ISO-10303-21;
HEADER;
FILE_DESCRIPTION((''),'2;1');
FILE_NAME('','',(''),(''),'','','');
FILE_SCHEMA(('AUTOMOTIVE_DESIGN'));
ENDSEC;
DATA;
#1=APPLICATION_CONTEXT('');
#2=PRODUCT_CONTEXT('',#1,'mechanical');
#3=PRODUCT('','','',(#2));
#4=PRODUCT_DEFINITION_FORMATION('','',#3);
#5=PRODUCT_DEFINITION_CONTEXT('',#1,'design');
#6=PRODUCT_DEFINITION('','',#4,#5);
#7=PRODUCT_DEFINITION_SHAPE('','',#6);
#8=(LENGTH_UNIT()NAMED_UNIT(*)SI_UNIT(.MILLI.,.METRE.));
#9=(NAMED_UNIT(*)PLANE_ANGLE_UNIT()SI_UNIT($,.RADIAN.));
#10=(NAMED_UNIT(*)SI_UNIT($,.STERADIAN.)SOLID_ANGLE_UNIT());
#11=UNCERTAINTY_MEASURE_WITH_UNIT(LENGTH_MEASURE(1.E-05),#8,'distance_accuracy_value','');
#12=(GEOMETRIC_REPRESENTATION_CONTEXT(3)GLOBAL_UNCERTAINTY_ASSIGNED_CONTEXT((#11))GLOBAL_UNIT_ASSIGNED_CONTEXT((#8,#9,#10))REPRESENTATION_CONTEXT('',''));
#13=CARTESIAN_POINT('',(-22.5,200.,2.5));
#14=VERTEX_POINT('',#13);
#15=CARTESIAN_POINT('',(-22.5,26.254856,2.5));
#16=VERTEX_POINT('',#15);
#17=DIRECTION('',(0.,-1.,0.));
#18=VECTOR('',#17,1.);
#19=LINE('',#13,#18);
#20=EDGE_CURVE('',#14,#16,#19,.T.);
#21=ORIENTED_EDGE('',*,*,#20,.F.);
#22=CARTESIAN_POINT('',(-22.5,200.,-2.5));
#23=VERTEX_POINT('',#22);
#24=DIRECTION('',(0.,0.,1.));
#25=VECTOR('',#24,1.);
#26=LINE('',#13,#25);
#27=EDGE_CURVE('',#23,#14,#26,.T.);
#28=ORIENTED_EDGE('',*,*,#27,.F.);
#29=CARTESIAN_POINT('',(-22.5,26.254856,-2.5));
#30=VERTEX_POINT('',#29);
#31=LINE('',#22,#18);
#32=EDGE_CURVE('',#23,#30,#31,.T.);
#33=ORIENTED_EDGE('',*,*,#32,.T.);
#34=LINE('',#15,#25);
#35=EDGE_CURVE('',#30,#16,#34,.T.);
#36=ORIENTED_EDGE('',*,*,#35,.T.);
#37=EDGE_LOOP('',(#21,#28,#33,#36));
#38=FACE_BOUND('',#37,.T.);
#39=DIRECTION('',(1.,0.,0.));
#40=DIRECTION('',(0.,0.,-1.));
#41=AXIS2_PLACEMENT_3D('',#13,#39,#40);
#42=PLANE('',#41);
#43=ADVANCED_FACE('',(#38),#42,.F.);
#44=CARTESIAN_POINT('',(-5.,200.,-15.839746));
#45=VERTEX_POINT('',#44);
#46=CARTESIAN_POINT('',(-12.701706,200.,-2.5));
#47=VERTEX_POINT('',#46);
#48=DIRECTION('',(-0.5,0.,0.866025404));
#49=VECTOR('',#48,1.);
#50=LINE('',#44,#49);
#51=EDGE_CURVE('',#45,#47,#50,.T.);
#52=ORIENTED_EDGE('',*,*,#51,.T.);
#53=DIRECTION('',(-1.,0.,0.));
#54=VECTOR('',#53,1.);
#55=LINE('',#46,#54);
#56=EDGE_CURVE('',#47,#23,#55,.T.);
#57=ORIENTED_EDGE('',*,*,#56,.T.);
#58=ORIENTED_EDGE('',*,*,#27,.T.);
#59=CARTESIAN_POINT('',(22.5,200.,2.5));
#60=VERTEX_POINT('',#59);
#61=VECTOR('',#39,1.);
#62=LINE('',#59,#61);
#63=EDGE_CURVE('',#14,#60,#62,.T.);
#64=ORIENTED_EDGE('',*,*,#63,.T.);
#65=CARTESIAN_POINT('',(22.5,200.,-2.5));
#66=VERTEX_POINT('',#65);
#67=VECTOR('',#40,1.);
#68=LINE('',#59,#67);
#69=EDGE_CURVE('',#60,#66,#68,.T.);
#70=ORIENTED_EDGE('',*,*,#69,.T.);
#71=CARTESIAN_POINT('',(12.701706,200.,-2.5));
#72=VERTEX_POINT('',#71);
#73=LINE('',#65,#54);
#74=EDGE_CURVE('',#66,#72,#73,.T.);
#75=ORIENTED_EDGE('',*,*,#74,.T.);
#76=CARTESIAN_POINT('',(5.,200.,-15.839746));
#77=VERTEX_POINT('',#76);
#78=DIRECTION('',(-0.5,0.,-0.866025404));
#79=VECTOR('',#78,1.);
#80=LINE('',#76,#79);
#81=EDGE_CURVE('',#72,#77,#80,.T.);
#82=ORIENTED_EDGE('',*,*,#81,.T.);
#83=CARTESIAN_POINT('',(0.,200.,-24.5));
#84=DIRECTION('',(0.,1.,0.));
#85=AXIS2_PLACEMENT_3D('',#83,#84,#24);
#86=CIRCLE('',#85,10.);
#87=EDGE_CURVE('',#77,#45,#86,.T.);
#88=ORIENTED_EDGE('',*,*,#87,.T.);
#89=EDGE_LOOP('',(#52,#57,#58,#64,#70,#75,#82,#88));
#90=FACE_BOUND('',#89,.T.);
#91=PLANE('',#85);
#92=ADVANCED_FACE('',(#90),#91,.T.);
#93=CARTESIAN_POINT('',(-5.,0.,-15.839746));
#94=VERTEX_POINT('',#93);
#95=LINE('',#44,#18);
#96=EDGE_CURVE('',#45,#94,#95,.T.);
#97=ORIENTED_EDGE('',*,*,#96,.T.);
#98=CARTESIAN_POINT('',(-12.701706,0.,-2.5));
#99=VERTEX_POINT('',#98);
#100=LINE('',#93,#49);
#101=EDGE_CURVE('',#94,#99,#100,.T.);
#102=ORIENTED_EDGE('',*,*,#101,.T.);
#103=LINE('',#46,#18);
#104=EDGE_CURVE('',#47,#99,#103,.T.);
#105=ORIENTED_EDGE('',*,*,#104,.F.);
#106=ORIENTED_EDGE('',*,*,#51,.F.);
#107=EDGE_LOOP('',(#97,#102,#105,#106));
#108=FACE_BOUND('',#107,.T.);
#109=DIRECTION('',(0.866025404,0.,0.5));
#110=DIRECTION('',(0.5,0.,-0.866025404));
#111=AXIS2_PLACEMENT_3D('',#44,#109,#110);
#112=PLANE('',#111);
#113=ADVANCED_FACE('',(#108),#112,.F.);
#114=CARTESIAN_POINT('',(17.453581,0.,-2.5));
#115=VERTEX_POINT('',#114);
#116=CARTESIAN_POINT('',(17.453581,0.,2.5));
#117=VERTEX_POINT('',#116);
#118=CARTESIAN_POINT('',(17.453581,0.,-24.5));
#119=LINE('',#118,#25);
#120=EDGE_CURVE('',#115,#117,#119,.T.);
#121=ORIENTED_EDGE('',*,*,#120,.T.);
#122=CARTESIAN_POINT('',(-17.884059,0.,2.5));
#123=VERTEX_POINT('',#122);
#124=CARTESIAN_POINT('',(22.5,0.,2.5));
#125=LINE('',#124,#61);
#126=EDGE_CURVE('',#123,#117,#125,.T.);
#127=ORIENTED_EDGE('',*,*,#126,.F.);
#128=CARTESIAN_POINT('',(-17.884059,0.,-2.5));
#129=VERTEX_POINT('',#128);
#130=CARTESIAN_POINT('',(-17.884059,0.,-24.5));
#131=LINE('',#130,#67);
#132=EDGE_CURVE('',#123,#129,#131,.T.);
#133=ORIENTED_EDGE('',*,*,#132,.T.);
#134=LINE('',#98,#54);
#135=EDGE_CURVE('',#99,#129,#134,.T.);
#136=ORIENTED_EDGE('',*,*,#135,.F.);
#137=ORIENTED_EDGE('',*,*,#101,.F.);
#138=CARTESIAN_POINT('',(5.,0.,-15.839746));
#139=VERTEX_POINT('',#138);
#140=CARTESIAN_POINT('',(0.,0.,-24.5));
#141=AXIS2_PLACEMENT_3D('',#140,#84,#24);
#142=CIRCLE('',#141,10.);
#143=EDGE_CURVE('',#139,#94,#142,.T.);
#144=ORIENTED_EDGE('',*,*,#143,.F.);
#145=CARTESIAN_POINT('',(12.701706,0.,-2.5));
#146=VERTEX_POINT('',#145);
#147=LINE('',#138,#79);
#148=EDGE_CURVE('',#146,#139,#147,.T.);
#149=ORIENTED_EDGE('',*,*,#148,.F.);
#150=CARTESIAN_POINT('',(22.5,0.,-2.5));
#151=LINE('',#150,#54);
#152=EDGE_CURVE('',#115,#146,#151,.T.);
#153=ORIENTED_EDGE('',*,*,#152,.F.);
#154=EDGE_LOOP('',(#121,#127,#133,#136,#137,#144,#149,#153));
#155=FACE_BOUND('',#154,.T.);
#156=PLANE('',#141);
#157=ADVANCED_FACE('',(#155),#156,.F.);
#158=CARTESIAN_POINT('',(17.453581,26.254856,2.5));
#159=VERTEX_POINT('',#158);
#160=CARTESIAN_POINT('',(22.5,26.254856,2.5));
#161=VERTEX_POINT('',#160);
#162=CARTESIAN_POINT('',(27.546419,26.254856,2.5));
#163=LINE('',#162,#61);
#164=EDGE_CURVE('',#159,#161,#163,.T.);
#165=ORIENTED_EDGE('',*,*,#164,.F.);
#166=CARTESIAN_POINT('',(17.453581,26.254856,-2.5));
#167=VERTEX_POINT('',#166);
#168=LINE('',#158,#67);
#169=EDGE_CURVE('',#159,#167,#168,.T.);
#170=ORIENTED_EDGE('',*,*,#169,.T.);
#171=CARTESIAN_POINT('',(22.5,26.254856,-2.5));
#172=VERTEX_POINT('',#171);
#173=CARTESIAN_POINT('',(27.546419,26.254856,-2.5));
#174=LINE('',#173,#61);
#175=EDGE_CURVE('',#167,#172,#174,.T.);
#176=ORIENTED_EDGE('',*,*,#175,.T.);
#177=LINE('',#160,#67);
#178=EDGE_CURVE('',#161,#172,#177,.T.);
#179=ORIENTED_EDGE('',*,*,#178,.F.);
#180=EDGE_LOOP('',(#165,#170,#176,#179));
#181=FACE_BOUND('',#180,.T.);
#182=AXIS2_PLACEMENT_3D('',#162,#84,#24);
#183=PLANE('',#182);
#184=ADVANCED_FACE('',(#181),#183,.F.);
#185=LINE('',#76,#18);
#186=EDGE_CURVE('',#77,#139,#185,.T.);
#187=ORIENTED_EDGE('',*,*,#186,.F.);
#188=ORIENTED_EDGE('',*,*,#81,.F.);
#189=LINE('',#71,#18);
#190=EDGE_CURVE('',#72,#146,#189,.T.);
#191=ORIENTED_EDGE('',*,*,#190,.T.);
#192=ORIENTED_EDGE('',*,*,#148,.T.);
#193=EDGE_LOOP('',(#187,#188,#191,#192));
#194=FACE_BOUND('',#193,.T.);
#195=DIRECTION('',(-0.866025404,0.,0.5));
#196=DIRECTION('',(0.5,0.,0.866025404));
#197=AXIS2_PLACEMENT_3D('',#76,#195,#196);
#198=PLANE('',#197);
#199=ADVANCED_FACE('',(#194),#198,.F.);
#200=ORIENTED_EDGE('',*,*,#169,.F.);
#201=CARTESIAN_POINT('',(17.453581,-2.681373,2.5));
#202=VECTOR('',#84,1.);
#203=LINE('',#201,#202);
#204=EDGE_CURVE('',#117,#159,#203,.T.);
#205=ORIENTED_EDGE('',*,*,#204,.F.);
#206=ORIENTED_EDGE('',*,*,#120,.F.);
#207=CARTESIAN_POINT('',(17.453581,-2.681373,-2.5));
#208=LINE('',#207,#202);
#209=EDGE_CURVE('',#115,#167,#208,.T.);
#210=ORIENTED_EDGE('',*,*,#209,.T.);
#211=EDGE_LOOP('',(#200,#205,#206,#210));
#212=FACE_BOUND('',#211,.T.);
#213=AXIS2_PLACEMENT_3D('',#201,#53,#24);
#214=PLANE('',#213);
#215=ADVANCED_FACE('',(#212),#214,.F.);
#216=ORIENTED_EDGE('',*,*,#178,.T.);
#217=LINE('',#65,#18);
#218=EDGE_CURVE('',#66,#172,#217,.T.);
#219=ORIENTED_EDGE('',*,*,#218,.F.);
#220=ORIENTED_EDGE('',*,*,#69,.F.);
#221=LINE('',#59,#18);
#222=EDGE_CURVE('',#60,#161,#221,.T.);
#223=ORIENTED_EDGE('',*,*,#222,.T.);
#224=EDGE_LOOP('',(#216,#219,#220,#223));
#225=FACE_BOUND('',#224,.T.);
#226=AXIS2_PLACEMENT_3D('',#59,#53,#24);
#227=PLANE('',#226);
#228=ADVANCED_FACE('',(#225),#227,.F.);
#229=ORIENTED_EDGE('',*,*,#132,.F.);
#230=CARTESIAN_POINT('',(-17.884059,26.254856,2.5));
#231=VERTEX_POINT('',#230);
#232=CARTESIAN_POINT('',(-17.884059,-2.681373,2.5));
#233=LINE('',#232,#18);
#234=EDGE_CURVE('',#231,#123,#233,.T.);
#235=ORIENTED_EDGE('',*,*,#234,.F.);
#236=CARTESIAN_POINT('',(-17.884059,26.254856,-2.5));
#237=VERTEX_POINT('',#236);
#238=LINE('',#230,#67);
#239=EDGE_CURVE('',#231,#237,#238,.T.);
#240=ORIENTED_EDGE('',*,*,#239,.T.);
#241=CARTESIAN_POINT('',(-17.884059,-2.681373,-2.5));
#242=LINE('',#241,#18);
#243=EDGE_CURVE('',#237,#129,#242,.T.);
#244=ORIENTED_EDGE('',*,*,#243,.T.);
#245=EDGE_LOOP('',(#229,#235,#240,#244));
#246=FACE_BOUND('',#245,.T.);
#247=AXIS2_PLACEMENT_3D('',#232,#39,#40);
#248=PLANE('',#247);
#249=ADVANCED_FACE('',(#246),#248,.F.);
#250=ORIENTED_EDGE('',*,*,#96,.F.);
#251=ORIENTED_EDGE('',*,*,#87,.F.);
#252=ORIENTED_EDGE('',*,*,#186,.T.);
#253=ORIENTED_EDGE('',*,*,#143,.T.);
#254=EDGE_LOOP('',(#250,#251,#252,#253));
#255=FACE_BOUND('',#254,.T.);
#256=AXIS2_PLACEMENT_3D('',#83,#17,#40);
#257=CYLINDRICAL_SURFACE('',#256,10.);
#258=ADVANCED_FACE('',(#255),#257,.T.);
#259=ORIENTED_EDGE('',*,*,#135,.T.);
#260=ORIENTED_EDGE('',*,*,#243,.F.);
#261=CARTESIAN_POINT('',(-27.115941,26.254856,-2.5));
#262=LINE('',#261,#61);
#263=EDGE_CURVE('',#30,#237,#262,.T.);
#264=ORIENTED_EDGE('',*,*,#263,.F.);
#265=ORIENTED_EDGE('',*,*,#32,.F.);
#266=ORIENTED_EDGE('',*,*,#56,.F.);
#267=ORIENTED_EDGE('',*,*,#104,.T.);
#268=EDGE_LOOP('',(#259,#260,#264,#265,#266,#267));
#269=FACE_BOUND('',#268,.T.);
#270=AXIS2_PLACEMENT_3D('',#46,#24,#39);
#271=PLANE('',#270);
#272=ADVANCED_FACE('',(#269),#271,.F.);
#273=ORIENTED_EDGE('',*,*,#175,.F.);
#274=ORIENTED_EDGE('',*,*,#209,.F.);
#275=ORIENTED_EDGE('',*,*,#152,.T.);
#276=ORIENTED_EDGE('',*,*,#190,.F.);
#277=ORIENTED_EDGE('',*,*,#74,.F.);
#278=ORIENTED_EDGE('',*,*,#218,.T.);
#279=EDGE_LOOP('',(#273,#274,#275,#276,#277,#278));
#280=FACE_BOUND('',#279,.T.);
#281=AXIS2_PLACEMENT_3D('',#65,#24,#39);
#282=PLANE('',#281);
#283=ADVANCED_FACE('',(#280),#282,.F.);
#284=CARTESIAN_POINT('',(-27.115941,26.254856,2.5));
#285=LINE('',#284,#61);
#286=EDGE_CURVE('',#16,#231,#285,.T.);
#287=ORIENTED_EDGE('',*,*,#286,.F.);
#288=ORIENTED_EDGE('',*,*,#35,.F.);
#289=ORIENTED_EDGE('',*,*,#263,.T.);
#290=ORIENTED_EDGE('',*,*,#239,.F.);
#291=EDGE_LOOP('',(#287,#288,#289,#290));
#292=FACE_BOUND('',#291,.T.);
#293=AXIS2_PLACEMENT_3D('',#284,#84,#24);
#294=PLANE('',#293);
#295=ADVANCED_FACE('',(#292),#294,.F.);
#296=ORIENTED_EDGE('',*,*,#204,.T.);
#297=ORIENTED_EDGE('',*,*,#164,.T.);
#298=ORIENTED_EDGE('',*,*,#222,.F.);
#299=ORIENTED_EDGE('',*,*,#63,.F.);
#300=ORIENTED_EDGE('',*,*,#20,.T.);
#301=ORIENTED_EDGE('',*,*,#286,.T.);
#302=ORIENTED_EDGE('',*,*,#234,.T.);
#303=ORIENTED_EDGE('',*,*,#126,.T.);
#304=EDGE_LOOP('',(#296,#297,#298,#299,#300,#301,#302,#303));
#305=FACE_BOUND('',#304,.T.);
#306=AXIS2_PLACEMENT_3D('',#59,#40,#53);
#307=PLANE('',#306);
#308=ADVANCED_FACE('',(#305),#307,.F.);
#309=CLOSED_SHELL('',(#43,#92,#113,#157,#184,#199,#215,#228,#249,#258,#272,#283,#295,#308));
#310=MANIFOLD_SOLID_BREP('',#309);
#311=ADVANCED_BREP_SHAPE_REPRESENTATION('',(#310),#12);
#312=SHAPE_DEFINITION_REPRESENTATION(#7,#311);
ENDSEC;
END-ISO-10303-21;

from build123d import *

# Parameters (mm, degrees)
BOSS_EXTRUDE1_DEPTH = 200
SKETCH2_W           = 9.23188111
SKETCH2_H           = 28.936228776
SKETCH2_W_2         = 10.092838874
CUT_EXTRUDE1_DEPTH  = 6


with BuildPart() as part:
    # Sketch1 → Boss-Extrude1 (new body)
    with BuildSketch(Plane(origin=(0, 0, 0), x_dir=(1, 0, 0), z_dir=(0, 1, 0))):
        with BuildLine():
            Line((22.5, -2.5), (-22.5, -2.5))
            Line((-22.5, -2.5), (-22.5, 2.5))
            Line((-22.5, 2.5), (-12.701705922, 2.5))
            Line((-12.701705922, 2.5), (-5, 15.839745962))
            ThreePointArc((-5, 15.839745962), (0, 34.5), (5, 15.839745962))
            Line((5, 15.839745962), (12.701705922, 2.5))
            Line((12.701705922, 2.5), (22.5, 2.5))
            Line((22.5, 2.5), (22.5, -2.5))
        make_face()
    extrude(amount=BOSS_EXTRUDE1_DEPTH)

    # Sketch2 → Cut-Extrude1 (cut, through all)
    with BuildSketch(Plane(origin=(0, 0, -2.5), x_dir=(-1, 0, 0), z_dir=(0, 0, -1))):
        with Locations((22.5, 11.786741845)):
            Rectangle(SKETCH2_W, SKETCH2_H)
        with Locations((-22.5, 11.786741845)):
            Rectangle(SKETCH2_W_2, SKETCH2_H)
    extrude(amount=-CUT_EXTRUDE1_DEPTH, mode=Mode.SUBTRACT)


solid = part.part
